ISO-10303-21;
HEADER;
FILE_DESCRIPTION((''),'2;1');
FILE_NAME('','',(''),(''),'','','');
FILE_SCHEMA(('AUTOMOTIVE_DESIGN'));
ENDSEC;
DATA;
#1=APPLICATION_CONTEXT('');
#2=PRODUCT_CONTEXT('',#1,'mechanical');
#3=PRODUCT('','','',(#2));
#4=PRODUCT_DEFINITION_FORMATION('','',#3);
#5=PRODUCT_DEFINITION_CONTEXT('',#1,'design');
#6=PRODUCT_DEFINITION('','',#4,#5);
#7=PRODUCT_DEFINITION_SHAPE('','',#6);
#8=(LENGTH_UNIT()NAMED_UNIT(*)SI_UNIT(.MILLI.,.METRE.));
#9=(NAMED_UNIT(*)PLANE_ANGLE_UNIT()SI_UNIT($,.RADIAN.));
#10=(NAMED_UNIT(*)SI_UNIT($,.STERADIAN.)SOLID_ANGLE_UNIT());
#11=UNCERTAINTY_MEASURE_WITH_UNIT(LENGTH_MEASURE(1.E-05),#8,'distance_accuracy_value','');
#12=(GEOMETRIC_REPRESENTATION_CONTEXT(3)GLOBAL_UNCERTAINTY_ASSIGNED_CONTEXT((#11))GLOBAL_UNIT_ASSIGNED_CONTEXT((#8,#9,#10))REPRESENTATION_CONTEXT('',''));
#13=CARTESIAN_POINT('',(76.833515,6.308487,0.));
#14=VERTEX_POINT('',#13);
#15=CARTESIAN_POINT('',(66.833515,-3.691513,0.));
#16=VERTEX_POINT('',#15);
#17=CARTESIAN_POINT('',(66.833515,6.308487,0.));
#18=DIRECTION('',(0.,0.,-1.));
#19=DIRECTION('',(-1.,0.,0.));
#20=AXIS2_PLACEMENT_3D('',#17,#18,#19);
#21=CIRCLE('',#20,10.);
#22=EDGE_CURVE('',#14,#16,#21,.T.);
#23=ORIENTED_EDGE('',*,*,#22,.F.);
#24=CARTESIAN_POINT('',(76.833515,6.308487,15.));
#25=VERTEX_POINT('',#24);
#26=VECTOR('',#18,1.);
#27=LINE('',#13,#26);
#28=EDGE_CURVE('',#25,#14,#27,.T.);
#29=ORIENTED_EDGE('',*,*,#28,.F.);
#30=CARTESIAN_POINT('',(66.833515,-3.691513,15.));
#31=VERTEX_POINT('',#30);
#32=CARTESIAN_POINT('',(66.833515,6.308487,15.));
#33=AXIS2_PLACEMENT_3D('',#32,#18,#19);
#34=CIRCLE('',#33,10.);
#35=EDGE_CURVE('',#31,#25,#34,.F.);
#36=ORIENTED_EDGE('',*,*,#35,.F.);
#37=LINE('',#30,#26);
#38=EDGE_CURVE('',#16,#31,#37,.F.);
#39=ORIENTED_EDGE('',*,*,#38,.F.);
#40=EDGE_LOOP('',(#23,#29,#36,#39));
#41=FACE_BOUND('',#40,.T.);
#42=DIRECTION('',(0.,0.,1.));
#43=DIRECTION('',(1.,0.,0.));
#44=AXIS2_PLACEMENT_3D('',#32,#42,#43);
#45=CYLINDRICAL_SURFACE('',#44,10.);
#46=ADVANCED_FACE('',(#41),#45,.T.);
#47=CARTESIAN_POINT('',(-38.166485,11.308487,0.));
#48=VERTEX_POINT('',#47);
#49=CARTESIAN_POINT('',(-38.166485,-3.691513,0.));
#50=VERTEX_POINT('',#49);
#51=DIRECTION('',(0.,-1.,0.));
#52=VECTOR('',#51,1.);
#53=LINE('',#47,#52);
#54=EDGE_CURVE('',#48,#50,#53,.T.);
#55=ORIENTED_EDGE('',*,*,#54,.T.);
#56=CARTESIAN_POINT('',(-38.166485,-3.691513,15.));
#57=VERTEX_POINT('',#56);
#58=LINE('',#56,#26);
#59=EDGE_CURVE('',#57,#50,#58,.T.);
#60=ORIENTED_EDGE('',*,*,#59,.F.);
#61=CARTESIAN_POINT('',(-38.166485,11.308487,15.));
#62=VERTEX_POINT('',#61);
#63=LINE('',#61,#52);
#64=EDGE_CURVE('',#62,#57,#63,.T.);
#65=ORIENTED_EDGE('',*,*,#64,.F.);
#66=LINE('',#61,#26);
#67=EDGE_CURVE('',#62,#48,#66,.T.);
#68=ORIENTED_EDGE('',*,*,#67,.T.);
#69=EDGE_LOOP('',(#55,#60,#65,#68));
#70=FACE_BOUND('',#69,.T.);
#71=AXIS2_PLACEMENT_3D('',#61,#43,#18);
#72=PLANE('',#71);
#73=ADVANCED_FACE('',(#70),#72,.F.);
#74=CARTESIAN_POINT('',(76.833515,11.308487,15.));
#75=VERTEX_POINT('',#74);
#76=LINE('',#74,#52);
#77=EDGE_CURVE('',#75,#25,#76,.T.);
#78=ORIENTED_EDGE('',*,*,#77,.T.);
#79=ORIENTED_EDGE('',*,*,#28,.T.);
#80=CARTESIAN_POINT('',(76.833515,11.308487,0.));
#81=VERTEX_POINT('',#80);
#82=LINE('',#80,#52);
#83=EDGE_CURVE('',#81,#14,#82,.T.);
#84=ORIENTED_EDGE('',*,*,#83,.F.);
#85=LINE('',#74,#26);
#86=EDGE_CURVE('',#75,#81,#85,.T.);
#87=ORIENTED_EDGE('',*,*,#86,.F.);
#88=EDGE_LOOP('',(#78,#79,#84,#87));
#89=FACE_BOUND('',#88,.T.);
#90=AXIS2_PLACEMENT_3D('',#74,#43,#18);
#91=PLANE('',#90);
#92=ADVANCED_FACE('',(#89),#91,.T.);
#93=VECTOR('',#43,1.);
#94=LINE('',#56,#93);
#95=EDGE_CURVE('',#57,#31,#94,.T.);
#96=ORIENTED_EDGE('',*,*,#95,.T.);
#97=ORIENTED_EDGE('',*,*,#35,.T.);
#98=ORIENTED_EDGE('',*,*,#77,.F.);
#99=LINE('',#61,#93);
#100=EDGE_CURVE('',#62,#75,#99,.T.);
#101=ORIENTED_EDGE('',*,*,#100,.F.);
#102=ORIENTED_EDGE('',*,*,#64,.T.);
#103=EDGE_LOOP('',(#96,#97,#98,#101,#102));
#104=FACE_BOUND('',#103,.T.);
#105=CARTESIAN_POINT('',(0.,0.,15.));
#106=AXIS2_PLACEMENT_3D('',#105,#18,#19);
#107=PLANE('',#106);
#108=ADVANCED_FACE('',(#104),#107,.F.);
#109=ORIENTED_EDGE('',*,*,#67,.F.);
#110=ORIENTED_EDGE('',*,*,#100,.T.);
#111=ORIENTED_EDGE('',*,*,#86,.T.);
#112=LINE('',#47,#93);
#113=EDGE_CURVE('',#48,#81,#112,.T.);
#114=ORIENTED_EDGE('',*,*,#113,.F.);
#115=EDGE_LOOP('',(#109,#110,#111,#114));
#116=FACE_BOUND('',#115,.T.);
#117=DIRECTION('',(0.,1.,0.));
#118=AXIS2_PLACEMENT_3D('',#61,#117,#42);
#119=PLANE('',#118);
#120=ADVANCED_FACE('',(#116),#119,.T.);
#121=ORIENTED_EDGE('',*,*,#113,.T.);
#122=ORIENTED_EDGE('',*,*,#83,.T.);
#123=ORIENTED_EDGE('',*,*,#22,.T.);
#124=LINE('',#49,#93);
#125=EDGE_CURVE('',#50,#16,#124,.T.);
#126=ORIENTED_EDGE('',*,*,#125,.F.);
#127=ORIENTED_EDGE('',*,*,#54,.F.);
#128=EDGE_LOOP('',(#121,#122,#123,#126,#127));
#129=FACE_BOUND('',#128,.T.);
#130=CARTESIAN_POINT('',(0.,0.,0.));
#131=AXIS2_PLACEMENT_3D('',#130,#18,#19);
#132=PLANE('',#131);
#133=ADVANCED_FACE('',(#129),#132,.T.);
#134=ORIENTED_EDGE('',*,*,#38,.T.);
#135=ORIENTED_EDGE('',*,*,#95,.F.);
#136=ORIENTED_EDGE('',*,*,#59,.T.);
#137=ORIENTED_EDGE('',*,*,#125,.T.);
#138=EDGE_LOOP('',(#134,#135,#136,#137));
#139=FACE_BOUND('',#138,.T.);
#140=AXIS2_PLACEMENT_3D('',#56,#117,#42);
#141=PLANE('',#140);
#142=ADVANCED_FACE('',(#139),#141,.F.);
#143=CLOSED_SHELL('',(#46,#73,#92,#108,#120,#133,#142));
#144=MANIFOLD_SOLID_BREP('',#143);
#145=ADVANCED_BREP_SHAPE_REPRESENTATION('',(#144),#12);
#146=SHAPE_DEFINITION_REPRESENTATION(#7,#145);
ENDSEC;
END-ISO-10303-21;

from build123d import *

# Parameters (mm, degrees)
SCHIZZO1_W                   = 115
SCHIZZO1_H                   = 15
ESTRUSIONE_ESTRUSIONE1_DEPTH = 15
RACCORDO5_R                  = 10


with BuildPart() as part:
    # Schizzo1 → Estrusione-Estrusione1 (new body)
    with BuildSketch(Plane.XY):
        with Locations((19.33351469, 3.808487486)):
            Rectangle(SCHIZZO1_W, SCHIZZO1_H)
    extrude(amount=ESTRUSIONE_ESTRUSIONE1_DEPTH)

    # Raccordo5
    raccordo5_edges = [part.edges().sort_by_distance(p)[0] for p in [
        (76.83351469, -3.691512514, 7.5),
    ]]
    fillet(raccordo5_edges, radius=RACCORDO5_R)


solid = part.part
